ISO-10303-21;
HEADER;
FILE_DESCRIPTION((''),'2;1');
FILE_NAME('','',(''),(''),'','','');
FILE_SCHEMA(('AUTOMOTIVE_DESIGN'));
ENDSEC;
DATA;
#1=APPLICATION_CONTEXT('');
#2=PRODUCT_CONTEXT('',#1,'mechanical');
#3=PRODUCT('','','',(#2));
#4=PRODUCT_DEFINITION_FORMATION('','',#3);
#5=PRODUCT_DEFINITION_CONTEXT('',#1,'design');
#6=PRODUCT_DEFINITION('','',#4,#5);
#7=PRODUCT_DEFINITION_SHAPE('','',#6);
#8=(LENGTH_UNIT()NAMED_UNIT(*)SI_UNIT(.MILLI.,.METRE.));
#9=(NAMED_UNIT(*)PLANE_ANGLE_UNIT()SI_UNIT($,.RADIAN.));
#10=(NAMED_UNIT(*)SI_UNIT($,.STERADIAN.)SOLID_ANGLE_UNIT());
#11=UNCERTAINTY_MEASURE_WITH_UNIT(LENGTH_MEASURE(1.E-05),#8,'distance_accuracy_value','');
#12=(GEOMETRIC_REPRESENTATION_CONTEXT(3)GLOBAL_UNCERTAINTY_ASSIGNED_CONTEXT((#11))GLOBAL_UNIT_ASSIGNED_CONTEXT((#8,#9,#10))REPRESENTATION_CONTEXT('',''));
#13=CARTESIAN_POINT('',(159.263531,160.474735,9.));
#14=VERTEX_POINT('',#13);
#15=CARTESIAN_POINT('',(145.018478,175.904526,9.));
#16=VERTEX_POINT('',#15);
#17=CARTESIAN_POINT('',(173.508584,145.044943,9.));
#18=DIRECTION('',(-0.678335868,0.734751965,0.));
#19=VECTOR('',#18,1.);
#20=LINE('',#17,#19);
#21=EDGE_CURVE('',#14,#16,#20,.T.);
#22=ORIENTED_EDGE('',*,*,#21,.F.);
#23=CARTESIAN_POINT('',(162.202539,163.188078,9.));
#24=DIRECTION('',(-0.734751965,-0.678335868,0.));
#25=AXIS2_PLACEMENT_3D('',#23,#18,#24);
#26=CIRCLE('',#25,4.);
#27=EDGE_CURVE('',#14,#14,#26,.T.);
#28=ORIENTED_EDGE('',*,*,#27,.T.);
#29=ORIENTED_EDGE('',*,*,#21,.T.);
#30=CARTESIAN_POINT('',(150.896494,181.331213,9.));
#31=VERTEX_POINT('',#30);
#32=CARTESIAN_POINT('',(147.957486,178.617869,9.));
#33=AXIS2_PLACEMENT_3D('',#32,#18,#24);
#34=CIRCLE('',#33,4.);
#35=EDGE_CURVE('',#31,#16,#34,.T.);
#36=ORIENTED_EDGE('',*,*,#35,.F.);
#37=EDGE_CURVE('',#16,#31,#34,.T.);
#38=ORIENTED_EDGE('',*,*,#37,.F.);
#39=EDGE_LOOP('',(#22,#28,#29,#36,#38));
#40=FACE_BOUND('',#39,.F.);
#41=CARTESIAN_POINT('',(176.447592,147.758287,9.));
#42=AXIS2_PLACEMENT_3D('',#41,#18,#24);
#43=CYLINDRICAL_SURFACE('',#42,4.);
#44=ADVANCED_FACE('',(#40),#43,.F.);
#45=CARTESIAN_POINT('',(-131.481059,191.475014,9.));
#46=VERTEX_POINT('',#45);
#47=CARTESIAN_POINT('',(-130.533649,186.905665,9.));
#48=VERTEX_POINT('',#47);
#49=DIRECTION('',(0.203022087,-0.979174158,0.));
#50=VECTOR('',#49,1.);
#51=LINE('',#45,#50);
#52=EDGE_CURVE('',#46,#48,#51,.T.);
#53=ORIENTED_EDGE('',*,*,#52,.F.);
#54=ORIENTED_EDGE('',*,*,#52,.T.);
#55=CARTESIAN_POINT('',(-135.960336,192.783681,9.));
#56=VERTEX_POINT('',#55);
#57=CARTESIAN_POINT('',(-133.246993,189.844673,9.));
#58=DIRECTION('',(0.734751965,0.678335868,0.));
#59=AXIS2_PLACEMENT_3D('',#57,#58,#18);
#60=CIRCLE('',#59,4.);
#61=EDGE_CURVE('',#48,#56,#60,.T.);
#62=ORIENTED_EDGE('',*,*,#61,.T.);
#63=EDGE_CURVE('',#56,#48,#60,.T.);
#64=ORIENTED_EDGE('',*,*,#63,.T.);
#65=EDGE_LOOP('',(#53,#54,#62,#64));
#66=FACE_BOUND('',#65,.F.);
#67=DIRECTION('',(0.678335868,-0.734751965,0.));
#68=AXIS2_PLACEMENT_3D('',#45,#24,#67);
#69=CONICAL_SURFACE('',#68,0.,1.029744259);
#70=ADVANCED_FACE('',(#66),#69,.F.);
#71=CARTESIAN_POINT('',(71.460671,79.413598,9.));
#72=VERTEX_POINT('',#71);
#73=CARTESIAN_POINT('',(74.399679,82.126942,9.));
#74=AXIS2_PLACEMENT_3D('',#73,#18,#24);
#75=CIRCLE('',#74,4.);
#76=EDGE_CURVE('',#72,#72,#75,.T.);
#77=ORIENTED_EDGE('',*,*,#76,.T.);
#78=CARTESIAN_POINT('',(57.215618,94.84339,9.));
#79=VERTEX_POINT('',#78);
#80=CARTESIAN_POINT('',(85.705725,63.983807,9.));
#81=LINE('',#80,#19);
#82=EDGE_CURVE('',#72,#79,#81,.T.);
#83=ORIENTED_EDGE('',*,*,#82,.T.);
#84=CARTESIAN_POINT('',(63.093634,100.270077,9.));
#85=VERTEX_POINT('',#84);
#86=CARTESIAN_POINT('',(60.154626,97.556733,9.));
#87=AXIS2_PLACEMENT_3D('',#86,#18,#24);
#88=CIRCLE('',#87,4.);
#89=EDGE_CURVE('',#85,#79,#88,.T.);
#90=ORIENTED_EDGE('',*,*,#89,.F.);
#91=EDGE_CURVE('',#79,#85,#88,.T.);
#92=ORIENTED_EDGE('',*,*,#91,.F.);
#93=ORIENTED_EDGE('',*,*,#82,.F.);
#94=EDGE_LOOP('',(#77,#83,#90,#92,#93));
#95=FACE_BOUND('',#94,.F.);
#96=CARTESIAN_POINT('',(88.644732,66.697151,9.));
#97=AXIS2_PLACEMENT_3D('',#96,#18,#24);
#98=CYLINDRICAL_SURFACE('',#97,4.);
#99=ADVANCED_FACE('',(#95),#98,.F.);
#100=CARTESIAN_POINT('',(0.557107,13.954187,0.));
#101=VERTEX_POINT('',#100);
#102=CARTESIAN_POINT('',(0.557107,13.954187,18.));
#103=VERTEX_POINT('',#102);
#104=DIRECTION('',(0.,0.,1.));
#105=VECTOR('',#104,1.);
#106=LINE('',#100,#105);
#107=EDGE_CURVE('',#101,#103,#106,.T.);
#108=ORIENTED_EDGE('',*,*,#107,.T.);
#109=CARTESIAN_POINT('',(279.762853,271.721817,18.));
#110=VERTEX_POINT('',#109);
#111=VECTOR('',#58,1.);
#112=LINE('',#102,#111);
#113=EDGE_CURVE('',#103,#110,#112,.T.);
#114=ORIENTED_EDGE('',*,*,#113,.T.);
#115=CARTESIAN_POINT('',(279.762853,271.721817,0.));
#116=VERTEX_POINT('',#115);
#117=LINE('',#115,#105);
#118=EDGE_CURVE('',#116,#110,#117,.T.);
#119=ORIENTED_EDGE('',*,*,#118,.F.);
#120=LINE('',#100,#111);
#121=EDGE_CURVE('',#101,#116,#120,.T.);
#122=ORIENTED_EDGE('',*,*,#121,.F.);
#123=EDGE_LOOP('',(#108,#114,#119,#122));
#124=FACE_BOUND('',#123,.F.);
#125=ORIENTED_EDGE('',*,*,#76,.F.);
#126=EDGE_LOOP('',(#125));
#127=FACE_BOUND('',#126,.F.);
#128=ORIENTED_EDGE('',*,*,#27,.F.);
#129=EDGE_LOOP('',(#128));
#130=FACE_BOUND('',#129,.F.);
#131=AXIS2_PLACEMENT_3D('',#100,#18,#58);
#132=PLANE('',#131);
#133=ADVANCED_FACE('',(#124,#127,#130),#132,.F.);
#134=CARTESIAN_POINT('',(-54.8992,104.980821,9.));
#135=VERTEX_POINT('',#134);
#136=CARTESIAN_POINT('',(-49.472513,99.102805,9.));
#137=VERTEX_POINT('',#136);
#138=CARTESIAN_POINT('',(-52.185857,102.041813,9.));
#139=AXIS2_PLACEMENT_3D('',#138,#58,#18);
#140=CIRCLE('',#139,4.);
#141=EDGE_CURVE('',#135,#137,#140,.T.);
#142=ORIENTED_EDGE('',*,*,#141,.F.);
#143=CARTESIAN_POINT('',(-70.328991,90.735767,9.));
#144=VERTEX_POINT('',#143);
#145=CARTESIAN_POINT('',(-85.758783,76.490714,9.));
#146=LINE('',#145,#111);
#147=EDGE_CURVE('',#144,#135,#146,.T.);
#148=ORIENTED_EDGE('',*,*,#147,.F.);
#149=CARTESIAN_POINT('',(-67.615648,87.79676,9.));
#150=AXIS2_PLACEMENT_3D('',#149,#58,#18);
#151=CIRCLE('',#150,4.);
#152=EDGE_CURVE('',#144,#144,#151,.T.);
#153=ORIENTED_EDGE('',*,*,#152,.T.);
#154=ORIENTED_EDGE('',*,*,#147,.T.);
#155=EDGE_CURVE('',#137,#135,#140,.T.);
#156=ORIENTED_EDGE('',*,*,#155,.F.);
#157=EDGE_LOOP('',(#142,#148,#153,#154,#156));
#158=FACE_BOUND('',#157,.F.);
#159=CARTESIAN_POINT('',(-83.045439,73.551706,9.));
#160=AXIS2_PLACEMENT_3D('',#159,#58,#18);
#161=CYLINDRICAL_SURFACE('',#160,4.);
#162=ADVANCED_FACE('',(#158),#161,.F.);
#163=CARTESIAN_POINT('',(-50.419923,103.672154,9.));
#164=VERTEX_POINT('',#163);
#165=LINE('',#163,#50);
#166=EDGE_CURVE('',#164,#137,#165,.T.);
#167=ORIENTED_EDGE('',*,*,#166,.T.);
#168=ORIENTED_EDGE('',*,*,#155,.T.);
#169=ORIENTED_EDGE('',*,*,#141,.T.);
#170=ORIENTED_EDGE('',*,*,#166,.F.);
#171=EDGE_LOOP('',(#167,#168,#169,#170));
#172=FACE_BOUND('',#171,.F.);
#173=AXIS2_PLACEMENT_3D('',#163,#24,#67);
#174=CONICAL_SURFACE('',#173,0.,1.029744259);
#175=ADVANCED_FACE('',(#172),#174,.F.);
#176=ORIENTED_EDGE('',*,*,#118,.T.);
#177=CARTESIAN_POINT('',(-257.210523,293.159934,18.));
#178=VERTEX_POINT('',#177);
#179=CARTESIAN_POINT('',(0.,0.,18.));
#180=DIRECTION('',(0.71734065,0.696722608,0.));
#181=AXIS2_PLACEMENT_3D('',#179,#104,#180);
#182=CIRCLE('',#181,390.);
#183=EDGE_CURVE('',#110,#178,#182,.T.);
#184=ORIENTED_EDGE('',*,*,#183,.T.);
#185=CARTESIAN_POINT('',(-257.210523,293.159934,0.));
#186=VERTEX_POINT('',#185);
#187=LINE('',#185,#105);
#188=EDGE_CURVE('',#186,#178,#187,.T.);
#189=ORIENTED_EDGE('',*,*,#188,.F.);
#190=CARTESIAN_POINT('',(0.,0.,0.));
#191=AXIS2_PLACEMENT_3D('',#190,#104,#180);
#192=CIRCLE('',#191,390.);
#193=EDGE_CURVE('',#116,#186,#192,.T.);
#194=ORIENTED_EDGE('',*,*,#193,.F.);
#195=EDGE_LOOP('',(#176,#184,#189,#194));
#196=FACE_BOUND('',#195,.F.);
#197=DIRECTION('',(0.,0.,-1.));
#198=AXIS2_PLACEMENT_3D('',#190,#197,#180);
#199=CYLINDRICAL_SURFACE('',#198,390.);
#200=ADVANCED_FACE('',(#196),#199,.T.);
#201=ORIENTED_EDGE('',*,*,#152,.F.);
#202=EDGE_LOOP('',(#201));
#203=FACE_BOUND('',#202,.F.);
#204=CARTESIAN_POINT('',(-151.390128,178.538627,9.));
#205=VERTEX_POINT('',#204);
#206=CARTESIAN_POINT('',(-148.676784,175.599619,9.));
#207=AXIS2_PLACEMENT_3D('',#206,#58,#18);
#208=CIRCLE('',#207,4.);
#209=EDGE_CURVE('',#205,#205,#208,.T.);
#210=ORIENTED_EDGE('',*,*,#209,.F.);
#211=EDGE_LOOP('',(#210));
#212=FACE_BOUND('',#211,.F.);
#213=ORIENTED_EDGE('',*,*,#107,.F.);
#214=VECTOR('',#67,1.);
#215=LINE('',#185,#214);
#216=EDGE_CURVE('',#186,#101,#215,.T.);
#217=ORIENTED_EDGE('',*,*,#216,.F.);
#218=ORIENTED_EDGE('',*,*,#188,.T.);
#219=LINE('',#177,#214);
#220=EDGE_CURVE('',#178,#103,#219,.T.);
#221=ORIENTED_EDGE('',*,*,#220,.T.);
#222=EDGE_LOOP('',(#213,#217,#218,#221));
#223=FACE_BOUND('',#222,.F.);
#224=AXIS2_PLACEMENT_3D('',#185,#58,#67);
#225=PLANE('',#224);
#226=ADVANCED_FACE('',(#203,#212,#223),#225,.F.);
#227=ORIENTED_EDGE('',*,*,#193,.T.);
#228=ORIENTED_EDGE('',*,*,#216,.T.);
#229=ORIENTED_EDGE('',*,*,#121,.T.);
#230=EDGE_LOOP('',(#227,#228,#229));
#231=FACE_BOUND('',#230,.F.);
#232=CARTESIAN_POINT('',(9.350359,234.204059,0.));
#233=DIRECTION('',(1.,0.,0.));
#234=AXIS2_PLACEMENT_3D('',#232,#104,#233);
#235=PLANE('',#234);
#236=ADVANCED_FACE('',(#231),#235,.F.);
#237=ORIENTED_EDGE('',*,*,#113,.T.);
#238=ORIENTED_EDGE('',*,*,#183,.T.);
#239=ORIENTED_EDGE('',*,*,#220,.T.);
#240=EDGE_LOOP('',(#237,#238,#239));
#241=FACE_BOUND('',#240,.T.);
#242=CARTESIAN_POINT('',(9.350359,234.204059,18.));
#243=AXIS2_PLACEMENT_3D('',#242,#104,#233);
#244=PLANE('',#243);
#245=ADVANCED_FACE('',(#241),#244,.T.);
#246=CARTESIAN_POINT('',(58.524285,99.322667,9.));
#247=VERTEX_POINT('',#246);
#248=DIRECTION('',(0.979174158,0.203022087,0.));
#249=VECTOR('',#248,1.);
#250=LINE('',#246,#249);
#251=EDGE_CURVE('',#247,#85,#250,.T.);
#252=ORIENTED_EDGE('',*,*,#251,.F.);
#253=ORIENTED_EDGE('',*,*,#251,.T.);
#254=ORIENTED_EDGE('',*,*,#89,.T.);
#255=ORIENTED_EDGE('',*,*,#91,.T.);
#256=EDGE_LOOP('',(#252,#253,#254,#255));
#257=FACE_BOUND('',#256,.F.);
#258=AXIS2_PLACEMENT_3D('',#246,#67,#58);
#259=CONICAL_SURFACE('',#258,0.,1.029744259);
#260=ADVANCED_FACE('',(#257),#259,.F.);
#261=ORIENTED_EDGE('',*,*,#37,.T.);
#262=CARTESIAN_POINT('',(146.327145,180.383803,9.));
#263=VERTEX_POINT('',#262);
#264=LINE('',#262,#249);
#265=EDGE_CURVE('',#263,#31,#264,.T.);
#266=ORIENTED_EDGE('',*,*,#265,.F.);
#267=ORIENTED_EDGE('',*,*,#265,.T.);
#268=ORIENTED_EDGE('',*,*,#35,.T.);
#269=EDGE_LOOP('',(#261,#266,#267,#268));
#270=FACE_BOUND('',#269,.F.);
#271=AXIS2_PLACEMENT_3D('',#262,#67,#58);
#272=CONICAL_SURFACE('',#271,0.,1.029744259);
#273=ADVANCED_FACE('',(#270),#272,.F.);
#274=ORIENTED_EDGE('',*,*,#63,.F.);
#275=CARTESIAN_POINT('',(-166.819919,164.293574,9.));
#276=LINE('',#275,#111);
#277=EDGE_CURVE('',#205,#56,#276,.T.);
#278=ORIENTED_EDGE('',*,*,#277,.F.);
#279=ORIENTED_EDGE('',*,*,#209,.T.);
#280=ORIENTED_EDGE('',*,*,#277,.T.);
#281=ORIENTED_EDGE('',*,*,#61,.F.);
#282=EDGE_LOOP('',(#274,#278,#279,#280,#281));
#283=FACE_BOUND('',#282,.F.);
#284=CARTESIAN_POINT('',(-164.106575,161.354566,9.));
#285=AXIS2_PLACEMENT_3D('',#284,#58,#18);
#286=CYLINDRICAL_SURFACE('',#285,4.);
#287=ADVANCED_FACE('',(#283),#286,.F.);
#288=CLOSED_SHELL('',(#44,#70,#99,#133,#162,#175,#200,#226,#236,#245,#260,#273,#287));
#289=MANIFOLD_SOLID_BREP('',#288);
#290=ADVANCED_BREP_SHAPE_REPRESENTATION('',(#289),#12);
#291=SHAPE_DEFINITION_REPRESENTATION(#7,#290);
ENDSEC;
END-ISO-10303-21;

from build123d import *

# Parameters (mm, degrees)
F1_DEPTH       = 18
F4_D           = 8
F4_DEPTH       = 21
F4_TIP         = 2.4034424761
F4_ON_F2_D     = 8
F4_ON_F2_DEPTH = 21
F4_ON_F2_TIP   = 2.4034424761


with BuildPart() as f1:
    # F0 (on Top) → F1 (new body)
    with BuildSketch(Plane.XY):
        with BuildLine():
            ThreePointArc((279.7628534604, 271.7218169814), (15.5579598443, 389.6895557819), (-257.2105231107, 293.1599338265))
            Line((-257.2105231107, 293.1599338265), (0.5571067524, 13.9541871184))
            Line((0.5571067524, 13.9541871184), (279.7628534604, 271.7218169814))
        make_face()
    extrude(amount=F1_DEPTH)

    # F4
    with Locations(Plane(origin=(-6.698540183, 7.2556469354, 0), x_dir=(0.734751965, 0.6783358681, 0), z_dir=(0.6783358681, -0.734751965, 0))):
        with Locations((110.3749609131, 9), (229.8749609131, 9)):
            Hole(F4_D / 2, depth=F4_DEPTH)
            with Locations((0, 0, -(F4_DEPTH + F4_TIP / 2))):  # 118° drill point
                Cone(0, F4_D / 2, F4_TIP, mode=Mode.SUBTRACT)

    # F4 on F2
    with Locations(Plane(origin=(7.2556469354, 6.698540183, 0), x_dir=(0.6783358681, -0.734751965, 0), z_dir=(-0.734751965, -0.6783358681, 0))):
        with Locations((-110.3749609131, 9), (-229.8749609131, 9)):
            Hole(F4_ON_F2_D / 2, depth=F4_ON_F2_DEPTH)
            with Locations((0, 0, -(F4_ON_F2_DEPTH + F4_ON_F2_TIP / 2))):  # 118° drill point
                Cone(0, F4_ON_F2_D / 2, F4_ON_F2_TIP, mode=Mode.SUBTRACT)


solid = f1.part
